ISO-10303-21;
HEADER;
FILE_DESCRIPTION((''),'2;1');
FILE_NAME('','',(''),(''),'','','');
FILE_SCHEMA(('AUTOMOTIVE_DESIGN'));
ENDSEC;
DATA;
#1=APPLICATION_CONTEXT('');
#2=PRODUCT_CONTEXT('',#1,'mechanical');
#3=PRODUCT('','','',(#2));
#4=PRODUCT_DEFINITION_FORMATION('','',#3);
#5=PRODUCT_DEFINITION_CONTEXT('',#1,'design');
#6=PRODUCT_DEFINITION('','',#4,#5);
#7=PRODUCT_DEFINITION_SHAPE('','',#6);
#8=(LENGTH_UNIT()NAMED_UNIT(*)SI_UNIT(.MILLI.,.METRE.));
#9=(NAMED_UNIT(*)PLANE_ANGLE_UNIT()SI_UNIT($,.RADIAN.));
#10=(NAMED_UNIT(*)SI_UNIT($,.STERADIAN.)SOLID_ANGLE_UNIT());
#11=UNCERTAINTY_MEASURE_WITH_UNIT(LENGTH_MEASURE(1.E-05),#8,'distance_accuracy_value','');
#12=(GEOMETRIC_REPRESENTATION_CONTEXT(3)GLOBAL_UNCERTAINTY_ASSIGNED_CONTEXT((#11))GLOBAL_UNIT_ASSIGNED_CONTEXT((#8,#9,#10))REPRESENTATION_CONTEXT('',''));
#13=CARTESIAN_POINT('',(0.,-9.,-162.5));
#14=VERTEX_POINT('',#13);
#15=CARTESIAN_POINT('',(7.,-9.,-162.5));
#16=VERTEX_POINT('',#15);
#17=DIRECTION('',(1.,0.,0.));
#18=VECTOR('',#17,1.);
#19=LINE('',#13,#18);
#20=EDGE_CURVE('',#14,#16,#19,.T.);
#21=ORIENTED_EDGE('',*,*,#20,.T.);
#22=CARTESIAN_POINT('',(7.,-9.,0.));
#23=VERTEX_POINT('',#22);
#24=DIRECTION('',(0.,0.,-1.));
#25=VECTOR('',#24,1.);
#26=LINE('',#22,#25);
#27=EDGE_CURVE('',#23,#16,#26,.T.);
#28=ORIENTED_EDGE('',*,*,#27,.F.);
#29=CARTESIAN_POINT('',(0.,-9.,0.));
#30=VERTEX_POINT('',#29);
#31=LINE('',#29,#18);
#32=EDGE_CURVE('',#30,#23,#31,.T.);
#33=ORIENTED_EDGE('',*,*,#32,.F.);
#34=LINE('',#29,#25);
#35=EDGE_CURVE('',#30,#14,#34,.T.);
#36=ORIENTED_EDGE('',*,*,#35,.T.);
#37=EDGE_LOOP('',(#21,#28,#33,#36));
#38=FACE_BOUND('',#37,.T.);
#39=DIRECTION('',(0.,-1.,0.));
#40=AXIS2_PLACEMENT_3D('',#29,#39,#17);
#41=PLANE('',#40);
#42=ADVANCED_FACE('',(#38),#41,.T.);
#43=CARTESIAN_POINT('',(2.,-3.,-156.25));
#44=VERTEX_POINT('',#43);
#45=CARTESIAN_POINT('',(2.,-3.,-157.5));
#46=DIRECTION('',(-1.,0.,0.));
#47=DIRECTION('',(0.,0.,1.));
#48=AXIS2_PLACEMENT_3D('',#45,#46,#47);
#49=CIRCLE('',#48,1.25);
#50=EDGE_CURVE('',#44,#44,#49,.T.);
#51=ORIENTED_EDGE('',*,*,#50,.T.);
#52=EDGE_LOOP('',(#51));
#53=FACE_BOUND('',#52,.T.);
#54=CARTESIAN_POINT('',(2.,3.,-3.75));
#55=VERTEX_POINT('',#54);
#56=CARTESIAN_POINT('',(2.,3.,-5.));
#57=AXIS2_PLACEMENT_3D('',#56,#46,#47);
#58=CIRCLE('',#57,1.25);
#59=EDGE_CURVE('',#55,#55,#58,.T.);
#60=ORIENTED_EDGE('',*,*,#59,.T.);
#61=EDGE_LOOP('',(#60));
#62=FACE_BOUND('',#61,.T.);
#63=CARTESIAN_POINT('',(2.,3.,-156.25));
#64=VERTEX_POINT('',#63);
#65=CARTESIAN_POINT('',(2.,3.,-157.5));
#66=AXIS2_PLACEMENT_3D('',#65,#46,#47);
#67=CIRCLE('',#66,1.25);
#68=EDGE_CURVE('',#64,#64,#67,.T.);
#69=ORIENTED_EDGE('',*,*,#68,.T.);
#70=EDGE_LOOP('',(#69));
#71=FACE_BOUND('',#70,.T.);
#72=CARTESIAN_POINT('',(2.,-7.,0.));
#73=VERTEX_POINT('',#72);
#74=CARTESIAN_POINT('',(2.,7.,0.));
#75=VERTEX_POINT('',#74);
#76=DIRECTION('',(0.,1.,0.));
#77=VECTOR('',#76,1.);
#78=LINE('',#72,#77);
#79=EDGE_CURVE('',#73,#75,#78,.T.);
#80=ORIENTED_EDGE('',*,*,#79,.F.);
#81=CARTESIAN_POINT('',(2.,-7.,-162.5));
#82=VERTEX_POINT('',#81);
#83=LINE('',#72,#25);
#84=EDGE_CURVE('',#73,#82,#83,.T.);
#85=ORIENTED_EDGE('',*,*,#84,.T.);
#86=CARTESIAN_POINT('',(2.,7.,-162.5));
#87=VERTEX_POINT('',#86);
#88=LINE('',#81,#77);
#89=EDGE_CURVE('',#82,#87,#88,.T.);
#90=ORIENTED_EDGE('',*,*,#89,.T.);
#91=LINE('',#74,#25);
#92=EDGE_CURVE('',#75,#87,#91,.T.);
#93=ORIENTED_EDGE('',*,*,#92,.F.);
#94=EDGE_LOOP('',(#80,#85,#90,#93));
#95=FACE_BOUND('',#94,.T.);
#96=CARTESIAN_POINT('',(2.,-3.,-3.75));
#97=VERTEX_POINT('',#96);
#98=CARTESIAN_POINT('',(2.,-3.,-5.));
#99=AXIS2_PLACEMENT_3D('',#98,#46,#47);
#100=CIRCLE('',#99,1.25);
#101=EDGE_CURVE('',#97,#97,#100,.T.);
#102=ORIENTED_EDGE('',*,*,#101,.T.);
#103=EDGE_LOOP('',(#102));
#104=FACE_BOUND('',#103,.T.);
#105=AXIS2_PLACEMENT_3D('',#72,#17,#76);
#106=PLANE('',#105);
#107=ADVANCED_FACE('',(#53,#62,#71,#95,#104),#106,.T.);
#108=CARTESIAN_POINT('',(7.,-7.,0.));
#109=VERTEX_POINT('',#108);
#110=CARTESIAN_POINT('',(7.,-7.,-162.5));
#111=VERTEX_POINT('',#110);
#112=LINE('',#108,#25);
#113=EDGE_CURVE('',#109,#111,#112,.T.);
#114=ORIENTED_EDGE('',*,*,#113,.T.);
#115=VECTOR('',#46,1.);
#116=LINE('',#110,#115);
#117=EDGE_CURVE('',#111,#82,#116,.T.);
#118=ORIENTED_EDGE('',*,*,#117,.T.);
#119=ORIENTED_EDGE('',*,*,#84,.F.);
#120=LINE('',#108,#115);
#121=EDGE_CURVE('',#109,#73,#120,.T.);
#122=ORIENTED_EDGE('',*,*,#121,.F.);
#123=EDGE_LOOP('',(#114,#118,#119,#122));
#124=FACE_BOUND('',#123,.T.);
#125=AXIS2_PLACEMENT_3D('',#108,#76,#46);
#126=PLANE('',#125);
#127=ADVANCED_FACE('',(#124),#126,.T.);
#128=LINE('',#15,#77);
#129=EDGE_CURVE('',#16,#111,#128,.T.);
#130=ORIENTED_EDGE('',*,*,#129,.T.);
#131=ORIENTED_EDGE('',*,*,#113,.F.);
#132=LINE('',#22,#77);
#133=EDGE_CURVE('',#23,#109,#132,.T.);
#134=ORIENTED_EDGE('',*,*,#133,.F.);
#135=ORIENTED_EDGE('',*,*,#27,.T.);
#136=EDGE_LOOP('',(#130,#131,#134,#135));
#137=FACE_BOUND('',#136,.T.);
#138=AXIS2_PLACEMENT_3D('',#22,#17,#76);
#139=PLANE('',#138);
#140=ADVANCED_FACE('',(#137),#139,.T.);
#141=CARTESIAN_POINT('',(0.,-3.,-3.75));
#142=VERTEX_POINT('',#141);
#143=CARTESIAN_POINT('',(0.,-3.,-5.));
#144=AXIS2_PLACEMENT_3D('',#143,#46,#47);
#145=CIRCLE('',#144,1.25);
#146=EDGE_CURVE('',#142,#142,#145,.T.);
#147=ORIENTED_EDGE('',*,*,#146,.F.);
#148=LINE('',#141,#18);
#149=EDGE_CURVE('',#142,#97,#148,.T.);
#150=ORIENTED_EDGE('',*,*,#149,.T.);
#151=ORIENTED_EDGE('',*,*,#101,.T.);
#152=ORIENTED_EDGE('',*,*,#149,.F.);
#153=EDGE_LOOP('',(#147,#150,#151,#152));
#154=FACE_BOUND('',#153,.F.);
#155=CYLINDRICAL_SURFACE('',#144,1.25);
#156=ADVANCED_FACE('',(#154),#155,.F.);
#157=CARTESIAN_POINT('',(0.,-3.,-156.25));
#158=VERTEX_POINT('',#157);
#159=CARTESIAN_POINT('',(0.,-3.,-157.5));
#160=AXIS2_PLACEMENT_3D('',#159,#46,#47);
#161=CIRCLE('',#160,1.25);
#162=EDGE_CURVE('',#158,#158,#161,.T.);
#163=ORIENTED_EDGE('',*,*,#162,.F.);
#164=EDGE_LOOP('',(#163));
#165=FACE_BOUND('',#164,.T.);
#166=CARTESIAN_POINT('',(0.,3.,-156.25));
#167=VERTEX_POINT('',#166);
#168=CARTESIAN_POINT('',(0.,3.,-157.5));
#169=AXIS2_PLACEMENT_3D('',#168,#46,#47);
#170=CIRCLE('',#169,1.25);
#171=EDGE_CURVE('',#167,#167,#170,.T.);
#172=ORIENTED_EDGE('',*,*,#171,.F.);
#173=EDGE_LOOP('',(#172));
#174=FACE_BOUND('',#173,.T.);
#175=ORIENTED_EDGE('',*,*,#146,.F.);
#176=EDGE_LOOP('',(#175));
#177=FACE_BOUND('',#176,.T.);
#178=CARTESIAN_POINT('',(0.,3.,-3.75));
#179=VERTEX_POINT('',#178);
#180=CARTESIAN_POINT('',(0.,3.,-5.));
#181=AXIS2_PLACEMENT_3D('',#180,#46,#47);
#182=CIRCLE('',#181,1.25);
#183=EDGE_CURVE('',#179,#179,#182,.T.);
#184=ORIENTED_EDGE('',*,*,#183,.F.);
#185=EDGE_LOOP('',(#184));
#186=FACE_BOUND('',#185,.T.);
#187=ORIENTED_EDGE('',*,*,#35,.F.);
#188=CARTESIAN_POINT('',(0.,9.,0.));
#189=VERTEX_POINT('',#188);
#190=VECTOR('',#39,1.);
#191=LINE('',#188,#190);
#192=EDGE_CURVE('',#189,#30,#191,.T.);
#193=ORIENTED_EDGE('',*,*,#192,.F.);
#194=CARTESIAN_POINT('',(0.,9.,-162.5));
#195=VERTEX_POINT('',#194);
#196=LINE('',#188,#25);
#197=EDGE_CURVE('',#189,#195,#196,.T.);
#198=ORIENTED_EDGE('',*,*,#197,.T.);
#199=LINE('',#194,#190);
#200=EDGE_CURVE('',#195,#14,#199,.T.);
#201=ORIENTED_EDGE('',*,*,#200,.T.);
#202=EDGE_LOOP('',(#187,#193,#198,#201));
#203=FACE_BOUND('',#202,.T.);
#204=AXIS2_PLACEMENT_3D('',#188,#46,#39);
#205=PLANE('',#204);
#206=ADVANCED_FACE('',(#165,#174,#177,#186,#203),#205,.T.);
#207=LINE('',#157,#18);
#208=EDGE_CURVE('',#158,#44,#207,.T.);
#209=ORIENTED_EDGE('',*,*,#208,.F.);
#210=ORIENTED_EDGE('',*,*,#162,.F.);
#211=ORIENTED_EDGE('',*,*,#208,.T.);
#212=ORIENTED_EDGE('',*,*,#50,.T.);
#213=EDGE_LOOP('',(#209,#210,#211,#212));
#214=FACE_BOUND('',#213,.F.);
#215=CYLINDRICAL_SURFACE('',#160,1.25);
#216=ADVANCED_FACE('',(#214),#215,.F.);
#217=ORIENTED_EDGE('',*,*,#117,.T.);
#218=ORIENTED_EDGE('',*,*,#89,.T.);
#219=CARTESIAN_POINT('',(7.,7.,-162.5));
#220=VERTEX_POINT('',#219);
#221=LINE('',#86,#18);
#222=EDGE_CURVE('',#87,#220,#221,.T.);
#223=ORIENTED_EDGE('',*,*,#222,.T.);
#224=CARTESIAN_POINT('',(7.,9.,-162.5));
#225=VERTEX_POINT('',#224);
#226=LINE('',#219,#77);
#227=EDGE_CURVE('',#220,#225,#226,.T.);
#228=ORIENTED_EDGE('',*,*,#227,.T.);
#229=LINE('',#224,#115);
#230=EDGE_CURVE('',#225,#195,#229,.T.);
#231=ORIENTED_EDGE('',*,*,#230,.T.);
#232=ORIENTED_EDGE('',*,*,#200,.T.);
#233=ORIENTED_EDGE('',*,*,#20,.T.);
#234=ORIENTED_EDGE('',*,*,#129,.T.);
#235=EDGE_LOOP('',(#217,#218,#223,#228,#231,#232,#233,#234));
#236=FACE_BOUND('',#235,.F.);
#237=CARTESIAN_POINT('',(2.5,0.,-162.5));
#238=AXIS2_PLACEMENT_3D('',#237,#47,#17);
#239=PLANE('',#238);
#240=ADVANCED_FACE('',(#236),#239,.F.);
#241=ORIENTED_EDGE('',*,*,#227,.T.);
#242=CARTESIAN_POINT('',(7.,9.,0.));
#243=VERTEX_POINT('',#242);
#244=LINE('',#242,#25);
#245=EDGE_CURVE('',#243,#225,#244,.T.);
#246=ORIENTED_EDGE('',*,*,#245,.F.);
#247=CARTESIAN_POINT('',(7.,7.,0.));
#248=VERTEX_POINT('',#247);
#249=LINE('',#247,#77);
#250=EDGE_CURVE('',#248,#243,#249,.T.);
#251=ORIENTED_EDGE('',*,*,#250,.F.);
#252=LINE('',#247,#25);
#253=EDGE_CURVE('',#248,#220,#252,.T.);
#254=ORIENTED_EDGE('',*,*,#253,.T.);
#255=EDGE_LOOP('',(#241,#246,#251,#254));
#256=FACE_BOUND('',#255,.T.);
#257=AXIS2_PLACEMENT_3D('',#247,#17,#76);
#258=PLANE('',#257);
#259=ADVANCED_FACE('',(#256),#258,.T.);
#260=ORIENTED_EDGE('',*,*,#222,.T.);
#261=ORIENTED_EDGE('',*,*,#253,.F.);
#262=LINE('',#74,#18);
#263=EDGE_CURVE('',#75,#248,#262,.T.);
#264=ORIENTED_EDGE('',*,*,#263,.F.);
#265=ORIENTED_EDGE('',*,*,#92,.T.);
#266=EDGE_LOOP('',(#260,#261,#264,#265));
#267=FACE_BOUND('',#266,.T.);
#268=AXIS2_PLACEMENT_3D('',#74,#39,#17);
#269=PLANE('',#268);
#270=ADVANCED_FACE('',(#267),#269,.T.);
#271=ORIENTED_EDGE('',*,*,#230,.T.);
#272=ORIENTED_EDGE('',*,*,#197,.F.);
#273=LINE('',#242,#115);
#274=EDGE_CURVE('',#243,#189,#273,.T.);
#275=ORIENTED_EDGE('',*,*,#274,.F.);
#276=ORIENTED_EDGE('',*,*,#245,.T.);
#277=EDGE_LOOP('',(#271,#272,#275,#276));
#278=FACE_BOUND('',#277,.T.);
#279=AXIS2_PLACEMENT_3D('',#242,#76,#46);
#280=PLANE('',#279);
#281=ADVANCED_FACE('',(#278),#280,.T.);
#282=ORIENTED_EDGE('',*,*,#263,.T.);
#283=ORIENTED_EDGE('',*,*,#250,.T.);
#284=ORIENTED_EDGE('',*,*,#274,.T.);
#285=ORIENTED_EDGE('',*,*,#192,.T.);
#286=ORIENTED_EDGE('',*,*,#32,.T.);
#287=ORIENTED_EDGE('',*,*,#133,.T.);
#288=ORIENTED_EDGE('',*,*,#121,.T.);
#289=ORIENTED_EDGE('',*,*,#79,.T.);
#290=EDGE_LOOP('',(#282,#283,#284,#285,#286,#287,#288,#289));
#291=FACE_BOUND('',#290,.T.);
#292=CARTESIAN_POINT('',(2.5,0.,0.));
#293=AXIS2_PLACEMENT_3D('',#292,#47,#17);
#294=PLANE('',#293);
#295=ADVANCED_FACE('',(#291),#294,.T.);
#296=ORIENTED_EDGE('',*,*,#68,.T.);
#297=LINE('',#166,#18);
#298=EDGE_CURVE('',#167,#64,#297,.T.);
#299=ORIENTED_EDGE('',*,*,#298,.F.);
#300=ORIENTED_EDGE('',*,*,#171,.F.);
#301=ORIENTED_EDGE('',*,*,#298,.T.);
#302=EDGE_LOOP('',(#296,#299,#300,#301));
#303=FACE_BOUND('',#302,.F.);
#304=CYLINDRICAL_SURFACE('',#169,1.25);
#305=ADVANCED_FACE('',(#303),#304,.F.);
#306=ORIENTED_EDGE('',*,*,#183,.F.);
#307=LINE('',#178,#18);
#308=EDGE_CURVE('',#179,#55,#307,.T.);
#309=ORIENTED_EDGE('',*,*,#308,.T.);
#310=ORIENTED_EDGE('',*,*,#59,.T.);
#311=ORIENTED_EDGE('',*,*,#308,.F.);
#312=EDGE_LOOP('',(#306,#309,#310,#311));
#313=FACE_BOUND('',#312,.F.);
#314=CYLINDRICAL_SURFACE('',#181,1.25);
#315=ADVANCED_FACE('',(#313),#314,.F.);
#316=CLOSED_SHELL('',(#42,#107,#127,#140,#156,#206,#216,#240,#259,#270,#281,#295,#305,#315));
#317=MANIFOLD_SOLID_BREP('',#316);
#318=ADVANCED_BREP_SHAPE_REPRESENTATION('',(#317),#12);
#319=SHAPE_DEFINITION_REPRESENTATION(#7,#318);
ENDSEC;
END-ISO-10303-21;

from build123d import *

# Parameters (mm, degrees)
BOSS_EXTRUDE1_DEPTH = 162.5
SKETCH2_R           = 1.25
CUT_EXTRUDE1_DEPTH  = 8


with BuildPart() as part:
    # Sketch1 → Boss-Extrude1 (new body)
    with BuildSketch(Plane.XY):
        Polygon((0, 9), (0, -9), (7, -9), (7, -7), (2, -7), (2, 7), (7, 7), (7, 9), align=None)
    extrude(amount=-BOSS_EXTRUDE1_DEPTH)

    # Sketch2 → Cut-Extrude1 (cut, through all)
    with BuildSketch(Plane.ZY):
        with Locations((-5, 3)):
            Circle(SKETCH2_R)
        with Locations((-5, -3)):
            Circle(SKETCH2_R)
        with Locations((-157.5, -3)):
            Circle(SKETCH2_R)
        with Locations((-157.5, 3)):
            Circle(SKETCH2_R)
    extrude(amount=-CUT_EXTRUDE1_DEPTH, mode=Mode.SUBTRACT)


solid = part.part
